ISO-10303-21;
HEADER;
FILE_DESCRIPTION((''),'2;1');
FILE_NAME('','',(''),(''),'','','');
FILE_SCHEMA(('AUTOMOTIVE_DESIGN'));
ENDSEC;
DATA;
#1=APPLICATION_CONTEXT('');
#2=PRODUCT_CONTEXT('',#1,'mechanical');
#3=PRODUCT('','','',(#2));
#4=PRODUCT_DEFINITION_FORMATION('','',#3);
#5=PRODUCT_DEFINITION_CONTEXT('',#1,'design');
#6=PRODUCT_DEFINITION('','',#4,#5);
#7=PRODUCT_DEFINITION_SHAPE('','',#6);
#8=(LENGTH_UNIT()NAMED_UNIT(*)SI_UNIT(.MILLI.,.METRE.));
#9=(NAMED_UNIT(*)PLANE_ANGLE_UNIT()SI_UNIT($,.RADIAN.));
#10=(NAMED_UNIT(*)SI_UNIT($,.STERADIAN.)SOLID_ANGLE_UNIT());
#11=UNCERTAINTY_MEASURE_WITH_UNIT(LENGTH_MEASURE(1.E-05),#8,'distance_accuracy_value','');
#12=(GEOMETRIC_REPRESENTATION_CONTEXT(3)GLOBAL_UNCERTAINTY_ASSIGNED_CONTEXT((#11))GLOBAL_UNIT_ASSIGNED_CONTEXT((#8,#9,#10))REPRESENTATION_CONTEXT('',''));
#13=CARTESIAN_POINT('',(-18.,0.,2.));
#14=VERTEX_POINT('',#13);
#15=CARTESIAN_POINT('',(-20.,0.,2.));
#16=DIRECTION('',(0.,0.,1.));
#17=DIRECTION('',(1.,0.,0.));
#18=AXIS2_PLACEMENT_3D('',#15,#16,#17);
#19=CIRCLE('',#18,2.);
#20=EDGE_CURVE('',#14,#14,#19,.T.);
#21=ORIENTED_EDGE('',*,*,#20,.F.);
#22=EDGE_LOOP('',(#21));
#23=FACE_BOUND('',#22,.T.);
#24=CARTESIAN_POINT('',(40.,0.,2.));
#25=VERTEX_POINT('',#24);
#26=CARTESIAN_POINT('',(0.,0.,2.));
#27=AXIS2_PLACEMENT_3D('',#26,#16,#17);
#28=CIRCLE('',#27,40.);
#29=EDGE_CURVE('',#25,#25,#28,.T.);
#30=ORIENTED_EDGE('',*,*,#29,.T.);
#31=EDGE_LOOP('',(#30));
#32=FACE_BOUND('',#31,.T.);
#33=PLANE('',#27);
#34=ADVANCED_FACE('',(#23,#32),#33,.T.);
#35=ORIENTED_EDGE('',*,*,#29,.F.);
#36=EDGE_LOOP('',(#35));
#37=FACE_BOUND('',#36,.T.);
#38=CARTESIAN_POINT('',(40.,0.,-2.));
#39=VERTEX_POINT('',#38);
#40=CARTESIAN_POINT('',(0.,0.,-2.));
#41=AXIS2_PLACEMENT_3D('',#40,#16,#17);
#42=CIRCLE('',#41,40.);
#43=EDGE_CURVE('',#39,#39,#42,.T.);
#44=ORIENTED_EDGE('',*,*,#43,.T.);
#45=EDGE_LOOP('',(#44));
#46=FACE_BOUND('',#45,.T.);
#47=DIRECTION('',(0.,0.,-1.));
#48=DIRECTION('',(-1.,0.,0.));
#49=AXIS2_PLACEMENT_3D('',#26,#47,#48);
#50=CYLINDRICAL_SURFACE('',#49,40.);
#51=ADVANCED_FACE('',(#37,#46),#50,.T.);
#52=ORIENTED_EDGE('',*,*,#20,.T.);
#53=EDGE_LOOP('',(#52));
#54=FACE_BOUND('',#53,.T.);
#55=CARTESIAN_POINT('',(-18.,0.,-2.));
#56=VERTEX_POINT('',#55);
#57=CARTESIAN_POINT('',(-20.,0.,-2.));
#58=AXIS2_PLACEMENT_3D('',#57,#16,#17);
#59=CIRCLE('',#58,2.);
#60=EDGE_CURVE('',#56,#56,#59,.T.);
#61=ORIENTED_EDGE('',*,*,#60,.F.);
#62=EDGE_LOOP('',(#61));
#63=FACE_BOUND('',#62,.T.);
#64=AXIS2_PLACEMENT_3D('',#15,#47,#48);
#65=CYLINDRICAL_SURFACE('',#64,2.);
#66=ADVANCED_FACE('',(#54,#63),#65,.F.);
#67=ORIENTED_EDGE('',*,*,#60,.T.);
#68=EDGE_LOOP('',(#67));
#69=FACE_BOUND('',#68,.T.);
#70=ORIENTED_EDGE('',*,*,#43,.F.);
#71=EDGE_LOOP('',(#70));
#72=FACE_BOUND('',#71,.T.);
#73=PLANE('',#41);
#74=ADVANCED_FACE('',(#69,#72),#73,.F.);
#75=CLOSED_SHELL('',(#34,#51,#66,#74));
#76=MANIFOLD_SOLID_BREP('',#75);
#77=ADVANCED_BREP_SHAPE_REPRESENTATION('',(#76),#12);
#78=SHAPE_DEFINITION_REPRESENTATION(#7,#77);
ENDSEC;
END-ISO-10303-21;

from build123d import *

# Parameters (mm, degrees)
SKETCH_1_R      = 40
SKETCH_1_R_2    = 2
EXTRUDE_1_DEPTH = 2


with BuildPart() as part:
    # 草图1 → 凸台-拉伸1 (new body, symmetric)
    with BuildSketch(Plane.XY):
        Circle(SKETCH_1_R)
        with Locations((-20, 0)):
            Circle(SKETCH_1_R_2, mode=Mode.SUBTRACT)
    extrude(amount=EXTRUDE_1_DEPTH, both=True)


solid = part.part
